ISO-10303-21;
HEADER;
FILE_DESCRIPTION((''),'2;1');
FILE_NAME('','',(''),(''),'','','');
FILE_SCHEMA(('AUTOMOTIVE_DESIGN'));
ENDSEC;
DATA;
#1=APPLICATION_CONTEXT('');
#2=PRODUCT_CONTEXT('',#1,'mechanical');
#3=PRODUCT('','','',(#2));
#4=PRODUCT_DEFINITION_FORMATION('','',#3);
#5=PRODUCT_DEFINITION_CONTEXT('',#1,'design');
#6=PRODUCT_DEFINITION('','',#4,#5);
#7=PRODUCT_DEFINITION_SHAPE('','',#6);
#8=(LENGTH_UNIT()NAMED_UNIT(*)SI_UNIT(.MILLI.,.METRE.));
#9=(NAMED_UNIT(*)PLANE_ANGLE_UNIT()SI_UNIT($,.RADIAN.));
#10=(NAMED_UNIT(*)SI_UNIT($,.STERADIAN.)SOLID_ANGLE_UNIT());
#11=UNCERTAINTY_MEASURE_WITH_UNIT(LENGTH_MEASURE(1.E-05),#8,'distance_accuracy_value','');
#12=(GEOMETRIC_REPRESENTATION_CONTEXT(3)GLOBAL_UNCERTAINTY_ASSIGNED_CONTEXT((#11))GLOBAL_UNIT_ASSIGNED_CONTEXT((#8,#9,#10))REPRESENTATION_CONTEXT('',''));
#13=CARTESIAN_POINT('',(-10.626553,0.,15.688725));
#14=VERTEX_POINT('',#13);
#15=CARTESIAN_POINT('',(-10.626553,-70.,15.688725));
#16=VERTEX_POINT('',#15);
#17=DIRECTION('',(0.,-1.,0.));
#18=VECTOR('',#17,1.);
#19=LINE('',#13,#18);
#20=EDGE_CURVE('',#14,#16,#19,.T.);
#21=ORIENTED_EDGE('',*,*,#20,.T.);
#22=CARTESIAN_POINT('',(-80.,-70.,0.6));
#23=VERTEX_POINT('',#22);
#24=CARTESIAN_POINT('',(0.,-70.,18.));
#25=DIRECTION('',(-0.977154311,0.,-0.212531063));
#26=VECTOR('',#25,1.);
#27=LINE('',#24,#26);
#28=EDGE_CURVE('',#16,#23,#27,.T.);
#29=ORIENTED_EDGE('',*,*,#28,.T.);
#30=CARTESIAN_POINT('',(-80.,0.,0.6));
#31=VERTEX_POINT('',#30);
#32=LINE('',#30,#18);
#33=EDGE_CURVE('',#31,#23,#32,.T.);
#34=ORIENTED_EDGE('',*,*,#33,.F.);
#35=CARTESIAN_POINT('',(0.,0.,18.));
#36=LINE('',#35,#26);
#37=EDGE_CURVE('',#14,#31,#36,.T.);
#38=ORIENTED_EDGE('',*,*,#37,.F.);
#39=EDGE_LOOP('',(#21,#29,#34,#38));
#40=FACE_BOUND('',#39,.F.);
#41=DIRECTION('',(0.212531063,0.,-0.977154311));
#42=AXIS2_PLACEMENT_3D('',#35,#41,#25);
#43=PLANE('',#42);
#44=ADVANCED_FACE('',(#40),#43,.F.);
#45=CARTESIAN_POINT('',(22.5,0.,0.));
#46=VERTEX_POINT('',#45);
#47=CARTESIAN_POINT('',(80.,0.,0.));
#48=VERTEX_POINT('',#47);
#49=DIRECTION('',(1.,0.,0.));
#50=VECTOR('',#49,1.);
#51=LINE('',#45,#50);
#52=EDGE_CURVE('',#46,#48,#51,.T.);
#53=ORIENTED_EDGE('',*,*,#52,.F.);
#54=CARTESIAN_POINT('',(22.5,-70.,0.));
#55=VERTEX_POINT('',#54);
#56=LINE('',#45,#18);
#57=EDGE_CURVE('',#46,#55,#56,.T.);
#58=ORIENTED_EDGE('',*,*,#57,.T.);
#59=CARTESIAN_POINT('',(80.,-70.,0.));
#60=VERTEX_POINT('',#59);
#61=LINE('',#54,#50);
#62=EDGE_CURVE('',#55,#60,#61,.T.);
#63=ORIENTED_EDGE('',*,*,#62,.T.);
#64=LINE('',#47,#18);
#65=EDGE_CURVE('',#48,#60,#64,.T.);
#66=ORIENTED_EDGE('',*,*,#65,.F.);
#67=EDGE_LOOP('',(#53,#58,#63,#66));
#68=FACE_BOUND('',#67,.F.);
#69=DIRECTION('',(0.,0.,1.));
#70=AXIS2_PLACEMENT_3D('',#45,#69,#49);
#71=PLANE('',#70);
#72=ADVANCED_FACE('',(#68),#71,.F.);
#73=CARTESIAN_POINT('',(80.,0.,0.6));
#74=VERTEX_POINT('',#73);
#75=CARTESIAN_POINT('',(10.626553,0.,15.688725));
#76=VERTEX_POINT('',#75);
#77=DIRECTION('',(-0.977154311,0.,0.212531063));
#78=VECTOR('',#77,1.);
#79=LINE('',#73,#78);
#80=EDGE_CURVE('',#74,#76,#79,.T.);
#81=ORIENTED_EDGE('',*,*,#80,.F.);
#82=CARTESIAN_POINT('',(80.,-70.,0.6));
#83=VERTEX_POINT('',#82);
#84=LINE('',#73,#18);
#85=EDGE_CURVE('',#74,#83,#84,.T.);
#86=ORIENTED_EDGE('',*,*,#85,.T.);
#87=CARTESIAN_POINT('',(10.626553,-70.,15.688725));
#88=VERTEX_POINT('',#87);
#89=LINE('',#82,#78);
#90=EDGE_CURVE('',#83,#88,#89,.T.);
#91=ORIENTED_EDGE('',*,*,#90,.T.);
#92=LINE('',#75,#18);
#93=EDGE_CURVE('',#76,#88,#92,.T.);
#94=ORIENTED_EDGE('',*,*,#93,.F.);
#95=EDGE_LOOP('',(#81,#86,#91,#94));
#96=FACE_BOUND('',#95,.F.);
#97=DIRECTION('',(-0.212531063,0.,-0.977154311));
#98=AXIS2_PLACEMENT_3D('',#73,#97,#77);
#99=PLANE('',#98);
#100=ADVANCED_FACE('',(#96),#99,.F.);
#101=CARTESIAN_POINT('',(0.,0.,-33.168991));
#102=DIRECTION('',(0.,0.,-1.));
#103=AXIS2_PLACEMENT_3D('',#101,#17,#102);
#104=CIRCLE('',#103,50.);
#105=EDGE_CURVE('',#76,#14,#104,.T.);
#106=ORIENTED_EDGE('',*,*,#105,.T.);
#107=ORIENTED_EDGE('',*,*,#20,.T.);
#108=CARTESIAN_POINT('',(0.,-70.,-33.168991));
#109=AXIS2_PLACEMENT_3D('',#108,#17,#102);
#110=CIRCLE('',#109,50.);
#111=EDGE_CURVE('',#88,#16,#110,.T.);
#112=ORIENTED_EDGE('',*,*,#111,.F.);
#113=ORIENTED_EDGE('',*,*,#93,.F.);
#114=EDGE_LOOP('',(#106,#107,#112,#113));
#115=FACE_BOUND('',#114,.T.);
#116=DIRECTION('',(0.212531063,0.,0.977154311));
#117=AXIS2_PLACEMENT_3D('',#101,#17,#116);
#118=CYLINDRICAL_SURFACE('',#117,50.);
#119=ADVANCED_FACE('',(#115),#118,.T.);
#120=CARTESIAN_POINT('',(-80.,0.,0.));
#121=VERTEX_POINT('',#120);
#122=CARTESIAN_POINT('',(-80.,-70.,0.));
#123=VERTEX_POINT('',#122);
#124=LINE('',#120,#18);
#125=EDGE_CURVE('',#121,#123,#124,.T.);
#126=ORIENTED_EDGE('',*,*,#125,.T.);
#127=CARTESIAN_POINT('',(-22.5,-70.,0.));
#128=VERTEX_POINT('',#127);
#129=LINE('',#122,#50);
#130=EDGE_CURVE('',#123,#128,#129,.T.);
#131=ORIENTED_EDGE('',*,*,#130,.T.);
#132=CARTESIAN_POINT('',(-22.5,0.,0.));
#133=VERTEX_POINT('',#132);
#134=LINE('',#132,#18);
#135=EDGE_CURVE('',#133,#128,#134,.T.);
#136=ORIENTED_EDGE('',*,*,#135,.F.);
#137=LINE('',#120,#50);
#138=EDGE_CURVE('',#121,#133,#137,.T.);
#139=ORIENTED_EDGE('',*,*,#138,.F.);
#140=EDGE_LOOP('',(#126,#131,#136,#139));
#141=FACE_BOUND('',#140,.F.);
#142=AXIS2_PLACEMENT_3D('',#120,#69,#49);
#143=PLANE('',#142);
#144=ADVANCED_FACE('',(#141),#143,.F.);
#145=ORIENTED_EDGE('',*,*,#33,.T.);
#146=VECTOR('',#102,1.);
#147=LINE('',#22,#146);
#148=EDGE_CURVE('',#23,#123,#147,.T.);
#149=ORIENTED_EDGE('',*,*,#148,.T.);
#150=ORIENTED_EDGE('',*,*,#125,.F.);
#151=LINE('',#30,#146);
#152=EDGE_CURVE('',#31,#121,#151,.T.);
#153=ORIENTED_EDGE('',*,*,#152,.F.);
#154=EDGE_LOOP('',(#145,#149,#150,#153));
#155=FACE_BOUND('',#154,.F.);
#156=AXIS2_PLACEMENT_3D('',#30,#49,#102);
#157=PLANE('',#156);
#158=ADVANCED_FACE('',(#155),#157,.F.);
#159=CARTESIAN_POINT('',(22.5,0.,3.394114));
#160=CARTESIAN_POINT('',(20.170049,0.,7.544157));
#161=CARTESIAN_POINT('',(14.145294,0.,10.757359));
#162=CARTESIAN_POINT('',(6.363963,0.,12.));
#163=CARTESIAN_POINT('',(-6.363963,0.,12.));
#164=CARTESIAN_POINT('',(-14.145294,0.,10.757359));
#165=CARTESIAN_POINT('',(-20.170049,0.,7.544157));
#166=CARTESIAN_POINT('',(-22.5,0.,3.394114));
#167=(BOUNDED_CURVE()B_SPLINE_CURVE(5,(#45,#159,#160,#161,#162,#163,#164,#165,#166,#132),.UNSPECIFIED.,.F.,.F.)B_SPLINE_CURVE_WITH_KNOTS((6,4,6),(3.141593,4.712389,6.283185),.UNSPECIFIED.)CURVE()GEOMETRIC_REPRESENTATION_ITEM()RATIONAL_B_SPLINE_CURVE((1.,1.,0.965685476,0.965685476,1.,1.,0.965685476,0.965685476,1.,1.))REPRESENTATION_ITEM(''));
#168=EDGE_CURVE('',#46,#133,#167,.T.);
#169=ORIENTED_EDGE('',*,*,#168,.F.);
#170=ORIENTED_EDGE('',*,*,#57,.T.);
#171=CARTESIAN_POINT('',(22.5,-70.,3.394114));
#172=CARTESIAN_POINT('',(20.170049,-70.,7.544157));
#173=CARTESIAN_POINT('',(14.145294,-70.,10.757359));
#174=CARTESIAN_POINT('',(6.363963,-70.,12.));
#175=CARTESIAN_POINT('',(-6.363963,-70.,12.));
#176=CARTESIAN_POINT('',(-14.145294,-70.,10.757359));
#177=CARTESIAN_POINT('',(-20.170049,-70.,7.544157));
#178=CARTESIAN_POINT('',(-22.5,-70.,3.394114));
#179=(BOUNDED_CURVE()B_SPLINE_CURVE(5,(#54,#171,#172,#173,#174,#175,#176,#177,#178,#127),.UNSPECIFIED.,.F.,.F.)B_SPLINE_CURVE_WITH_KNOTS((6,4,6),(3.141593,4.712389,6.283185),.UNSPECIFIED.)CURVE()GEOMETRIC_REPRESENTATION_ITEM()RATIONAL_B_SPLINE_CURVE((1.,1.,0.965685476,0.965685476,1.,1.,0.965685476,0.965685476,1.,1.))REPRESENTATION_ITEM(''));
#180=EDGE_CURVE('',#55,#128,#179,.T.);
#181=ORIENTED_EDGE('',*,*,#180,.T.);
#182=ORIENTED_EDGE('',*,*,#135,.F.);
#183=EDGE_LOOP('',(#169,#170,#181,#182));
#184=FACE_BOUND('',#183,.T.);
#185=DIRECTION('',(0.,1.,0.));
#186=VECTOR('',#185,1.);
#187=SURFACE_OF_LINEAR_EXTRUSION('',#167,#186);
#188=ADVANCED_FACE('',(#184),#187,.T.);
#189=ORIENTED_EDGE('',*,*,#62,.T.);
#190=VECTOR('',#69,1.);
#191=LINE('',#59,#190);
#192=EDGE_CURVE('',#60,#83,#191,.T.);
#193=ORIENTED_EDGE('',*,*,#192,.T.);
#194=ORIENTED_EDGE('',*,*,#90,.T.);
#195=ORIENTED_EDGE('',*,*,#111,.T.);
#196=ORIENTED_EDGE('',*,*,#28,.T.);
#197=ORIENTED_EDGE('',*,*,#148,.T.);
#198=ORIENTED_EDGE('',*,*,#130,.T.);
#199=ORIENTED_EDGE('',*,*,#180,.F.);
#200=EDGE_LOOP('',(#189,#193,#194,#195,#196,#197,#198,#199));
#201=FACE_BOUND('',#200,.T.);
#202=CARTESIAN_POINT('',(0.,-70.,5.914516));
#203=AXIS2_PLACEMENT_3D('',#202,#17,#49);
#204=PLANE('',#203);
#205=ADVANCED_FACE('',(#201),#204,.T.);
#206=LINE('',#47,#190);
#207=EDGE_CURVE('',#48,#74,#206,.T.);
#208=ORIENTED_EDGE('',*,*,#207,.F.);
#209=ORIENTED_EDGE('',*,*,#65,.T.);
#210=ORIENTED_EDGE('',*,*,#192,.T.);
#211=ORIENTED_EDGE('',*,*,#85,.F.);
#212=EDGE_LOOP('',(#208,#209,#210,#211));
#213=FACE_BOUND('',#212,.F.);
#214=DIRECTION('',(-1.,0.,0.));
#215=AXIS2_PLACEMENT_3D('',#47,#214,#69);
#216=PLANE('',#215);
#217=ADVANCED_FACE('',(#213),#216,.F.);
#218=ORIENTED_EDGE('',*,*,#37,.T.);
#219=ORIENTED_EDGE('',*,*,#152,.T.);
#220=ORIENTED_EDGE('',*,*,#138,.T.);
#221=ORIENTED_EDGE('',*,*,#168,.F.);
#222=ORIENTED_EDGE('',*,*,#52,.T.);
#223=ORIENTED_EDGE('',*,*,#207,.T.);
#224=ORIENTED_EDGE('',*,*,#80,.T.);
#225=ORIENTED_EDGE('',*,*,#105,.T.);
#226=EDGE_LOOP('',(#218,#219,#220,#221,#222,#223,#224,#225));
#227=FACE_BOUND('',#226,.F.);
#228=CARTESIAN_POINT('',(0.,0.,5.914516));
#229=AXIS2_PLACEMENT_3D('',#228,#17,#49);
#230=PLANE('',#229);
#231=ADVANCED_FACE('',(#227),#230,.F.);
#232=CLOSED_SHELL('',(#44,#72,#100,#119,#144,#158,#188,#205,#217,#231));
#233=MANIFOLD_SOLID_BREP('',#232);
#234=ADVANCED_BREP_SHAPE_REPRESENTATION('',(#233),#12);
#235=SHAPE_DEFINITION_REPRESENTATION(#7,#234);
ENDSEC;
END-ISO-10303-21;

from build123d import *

# Parameters (mm, degrees)
F1_DEPTH = 70
F2_R     = 50


with BuildPart() as f1:
    # F0 (on Front) → F1 (new body)
    with BuildSketch(Plane.XZ):
        with BuildLine():
            Line((-80, 0.6), (-80, 0))
            Line((-80, 0), (-22.5, 0))
            add(Edge.make_bspline(
                [(0, 12), (-22.5, 12), (-22.5, 0)],
                knots=[4.712389, 4.712389, 4.712389, 6.283185, 6.283185, 6.283185], degree=2, weights=[1, 0.707107, 1]))
            add(Edge.make_bspline(
                [(22.5, 0), (22.5, 12), (0, 12)],
                knots=[3.141593, 3.141593, 3.141593, 4.712389, 4.712389, 4.712389], degree=2, weights=[1, 0.707107, 1]))
            Line((22.5, 0), (80, 0))
            Line((80, 0), (80, 0.6))
            Line((80, 0.6), (0, 18))
            Line((0, 18), (-80, 0.6))
        make_face()
    extrude(amount=F1_DEPTH)

    # F2
    f2_edges = [f1.edges().sort_by_distance(p)[0] for p in [
        (0, -35, 18),
    ]]
    fillet(f2_edges, radius=F2_R)


solid = f1.part
